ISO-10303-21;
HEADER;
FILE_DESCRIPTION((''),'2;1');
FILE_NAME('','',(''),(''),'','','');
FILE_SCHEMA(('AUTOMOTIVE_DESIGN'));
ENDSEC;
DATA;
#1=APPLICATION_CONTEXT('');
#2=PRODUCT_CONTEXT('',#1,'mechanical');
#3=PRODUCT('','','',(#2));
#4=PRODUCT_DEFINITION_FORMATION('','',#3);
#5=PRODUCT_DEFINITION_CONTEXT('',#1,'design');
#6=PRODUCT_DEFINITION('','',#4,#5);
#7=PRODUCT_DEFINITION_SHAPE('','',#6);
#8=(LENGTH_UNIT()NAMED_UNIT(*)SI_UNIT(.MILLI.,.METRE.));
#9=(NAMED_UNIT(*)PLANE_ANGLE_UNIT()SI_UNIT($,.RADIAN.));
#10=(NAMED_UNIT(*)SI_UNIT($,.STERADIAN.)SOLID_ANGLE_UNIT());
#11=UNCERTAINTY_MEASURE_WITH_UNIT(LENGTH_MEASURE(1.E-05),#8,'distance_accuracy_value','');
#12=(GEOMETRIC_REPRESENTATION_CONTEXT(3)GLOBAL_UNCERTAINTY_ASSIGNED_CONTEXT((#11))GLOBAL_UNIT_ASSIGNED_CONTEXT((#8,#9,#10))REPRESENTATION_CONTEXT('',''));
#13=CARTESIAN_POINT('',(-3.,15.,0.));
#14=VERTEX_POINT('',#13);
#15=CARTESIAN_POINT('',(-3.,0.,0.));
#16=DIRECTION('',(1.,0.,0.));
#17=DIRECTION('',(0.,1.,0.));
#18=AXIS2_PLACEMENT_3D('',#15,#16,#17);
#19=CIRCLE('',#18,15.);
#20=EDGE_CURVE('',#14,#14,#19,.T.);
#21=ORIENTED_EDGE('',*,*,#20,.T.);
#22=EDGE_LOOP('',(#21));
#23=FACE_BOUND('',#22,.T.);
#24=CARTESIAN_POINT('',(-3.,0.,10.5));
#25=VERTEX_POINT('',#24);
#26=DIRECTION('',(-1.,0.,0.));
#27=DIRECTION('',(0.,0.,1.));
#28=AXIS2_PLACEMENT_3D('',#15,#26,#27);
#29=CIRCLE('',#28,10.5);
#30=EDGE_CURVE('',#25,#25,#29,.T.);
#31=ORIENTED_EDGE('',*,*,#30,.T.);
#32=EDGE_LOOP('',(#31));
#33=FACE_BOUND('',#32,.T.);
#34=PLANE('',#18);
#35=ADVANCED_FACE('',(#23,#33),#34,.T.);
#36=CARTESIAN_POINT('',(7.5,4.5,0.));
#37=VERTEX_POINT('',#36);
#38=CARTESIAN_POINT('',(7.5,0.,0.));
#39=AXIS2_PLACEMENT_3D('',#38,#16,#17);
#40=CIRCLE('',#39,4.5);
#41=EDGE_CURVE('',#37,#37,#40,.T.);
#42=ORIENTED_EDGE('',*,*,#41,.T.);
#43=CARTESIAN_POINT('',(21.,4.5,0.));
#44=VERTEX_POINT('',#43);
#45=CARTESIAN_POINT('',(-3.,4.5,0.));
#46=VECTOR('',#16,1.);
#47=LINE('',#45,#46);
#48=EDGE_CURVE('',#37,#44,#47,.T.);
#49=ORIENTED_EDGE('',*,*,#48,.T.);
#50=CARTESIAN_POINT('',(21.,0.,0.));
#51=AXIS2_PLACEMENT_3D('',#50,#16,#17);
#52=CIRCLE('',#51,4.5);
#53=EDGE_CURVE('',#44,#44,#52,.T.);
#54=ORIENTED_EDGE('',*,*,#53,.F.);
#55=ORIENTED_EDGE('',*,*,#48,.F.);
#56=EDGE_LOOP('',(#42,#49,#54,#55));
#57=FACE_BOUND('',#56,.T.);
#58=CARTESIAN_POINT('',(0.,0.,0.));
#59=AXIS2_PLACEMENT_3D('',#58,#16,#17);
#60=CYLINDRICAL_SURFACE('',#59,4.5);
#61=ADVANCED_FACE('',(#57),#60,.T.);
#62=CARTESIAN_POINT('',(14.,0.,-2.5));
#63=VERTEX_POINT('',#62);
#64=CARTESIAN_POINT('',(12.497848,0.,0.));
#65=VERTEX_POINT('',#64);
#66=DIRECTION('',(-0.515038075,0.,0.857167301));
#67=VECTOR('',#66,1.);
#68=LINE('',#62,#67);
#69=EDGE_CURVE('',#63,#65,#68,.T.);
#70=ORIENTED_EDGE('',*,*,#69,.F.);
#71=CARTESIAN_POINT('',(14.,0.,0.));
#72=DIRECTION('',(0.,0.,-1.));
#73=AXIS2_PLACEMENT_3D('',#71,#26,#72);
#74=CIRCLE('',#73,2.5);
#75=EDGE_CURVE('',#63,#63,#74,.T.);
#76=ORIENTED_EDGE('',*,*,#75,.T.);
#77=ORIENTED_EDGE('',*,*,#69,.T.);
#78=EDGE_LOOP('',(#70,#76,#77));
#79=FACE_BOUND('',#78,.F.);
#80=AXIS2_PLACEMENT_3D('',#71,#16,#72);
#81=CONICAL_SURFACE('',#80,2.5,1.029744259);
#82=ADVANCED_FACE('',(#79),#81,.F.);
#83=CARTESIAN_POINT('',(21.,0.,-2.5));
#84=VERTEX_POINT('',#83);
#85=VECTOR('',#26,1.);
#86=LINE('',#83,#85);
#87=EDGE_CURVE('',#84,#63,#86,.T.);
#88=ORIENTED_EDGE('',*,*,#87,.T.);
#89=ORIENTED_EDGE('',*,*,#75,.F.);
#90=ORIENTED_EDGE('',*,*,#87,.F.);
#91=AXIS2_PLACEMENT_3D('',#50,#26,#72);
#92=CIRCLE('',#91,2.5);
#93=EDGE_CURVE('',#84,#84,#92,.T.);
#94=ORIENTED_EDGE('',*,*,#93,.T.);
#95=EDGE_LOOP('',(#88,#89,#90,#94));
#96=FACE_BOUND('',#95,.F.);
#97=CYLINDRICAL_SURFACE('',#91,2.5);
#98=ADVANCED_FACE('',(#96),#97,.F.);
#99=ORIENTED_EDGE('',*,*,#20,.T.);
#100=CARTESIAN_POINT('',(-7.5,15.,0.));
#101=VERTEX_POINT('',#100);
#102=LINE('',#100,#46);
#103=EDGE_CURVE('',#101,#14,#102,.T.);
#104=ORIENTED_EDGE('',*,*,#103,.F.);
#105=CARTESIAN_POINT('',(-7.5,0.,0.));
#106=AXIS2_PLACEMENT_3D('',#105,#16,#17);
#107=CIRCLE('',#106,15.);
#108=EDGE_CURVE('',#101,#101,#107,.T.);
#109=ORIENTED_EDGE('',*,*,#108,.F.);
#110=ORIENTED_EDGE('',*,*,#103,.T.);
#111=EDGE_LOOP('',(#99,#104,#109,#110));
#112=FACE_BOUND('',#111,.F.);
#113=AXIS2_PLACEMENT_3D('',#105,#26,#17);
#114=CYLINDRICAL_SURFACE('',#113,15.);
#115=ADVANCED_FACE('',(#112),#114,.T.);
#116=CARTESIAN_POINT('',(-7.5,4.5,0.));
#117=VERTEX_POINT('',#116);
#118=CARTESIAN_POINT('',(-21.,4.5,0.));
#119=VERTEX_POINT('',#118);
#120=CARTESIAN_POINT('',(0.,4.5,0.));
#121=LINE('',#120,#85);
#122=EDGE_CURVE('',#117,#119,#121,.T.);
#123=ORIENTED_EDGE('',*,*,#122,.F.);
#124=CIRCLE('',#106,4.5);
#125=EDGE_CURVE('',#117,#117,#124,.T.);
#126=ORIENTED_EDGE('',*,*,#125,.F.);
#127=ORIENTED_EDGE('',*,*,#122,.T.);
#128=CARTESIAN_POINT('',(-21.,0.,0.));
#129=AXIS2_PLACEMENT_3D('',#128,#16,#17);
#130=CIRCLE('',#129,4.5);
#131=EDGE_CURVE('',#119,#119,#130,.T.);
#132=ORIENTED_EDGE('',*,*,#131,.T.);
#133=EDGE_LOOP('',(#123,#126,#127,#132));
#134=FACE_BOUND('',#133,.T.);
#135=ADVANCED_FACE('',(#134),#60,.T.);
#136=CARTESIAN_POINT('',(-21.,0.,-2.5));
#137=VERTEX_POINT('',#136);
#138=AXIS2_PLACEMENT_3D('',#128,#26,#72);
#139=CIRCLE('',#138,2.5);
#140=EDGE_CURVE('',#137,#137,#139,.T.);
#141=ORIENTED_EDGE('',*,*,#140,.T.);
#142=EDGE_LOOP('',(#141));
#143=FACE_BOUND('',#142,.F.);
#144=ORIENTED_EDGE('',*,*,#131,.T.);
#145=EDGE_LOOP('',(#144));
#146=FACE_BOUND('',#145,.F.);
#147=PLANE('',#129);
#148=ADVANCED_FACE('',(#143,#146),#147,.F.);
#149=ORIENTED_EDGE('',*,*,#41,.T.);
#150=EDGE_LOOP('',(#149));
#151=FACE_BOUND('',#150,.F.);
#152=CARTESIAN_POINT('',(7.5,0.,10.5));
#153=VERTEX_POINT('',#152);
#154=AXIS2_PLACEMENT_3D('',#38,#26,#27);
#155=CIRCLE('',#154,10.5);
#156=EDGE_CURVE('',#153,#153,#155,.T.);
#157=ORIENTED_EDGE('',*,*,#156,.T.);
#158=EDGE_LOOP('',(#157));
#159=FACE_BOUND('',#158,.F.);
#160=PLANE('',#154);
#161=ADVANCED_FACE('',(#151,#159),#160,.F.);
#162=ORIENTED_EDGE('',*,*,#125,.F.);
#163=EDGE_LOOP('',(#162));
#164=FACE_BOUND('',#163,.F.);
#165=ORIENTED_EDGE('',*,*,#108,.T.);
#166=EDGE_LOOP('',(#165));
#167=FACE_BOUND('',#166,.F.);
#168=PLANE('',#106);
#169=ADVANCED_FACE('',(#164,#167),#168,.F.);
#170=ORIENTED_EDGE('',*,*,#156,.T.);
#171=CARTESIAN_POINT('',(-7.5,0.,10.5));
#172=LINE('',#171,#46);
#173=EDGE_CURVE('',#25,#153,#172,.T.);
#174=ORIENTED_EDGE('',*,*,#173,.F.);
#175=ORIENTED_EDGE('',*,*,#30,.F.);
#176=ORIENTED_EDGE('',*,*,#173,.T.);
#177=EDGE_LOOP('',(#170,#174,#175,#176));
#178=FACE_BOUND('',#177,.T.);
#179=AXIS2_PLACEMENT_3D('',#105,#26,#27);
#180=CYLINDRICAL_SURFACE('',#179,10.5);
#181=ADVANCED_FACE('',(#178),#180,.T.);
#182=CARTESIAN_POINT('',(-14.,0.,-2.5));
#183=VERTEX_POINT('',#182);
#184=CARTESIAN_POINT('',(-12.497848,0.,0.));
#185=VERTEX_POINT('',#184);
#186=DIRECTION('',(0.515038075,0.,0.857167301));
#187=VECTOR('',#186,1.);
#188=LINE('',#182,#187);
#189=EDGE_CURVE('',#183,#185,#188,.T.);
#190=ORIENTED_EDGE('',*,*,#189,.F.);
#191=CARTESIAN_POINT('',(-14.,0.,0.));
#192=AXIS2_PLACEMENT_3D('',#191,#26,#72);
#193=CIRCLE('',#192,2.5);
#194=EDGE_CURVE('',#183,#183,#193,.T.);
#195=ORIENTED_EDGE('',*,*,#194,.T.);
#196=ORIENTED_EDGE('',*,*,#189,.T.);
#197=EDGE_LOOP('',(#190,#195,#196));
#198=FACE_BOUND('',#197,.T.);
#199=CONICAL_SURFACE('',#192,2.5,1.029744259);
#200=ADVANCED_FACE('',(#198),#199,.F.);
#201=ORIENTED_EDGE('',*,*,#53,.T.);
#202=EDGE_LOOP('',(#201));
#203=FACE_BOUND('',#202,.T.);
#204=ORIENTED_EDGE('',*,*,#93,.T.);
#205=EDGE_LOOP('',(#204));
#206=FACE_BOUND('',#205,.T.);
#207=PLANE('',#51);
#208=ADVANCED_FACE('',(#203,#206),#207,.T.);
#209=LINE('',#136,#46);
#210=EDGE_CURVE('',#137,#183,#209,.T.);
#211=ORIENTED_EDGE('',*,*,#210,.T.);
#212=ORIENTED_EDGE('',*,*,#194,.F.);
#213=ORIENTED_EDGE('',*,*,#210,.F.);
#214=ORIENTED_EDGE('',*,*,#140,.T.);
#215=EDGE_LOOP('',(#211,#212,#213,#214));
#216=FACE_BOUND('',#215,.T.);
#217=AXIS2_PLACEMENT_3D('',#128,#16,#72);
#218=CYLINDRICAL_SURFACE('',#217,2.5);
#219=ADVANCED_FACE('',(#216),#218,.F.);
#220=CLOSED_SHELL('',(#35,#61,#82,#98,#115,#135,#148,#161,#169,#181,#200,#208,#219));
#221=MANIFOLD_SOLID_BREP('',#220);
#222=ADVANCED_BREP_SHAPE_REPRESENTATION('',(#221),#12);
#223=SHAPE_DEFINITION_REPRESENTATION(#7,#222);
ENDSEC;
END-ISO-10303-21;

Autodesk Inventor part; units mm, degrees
ref_plane "XZ Plane" through (0, 0, 0) normal (0, 1, 0) x (-1, 0, 0)
ref_plane "XY Plane" through (0, 0, 0) normal (0, 0, 1) x (1, 0, 0)
sketch "Sketch1" plane through (0, 0, 0) normal (1, 0, 0) x (0, 1, 0)
  circle A0 centre (0, 0) radius 4.5
  dimension "d0" = 9
extrude "Extrusion1" add sketch "Sketch1" along normal mid plane 42
sketch "Sketch2" plane through (21, 0, 0) normal (1, 0, 0) x (0, 0, -1)
  circle A0 centre (0, 0) radius 4.5 projected
hole "Hole1" at (21, 0, 0) direction (-1, 0, 0) diameter 5 depth 7 tip angle 118
mirror "Mirror1" about plane through (0, 0, 0) normal (1, 0, 0) of "Hole1"
ref_plane "Work Plane2" through (-7.5, 0, 0) normal (1, 0, 0) x (0, 1, 0)
sketch "Sketch3" plane through (-7.5, 0, 0) normal (1, 0, 0) x (0, 1, 0)
  circle A0 centre (0, 0) radius 15
  dimension "d10" = 30
extrude "Extrusion2" add sketch "Sketch3" along normal blind 4.5
sketch "Sketch4" plane through (-7.5, 0, 0) normal (-1, 0, 0) x (0, 0, 1)
  circle A0 centre (0, 0) radius 10.5
  dimension "d13" = 21
extrude "Extrusion3" add sketch "Sketch4" against normal blind 15
properties part number "dfifferential"
